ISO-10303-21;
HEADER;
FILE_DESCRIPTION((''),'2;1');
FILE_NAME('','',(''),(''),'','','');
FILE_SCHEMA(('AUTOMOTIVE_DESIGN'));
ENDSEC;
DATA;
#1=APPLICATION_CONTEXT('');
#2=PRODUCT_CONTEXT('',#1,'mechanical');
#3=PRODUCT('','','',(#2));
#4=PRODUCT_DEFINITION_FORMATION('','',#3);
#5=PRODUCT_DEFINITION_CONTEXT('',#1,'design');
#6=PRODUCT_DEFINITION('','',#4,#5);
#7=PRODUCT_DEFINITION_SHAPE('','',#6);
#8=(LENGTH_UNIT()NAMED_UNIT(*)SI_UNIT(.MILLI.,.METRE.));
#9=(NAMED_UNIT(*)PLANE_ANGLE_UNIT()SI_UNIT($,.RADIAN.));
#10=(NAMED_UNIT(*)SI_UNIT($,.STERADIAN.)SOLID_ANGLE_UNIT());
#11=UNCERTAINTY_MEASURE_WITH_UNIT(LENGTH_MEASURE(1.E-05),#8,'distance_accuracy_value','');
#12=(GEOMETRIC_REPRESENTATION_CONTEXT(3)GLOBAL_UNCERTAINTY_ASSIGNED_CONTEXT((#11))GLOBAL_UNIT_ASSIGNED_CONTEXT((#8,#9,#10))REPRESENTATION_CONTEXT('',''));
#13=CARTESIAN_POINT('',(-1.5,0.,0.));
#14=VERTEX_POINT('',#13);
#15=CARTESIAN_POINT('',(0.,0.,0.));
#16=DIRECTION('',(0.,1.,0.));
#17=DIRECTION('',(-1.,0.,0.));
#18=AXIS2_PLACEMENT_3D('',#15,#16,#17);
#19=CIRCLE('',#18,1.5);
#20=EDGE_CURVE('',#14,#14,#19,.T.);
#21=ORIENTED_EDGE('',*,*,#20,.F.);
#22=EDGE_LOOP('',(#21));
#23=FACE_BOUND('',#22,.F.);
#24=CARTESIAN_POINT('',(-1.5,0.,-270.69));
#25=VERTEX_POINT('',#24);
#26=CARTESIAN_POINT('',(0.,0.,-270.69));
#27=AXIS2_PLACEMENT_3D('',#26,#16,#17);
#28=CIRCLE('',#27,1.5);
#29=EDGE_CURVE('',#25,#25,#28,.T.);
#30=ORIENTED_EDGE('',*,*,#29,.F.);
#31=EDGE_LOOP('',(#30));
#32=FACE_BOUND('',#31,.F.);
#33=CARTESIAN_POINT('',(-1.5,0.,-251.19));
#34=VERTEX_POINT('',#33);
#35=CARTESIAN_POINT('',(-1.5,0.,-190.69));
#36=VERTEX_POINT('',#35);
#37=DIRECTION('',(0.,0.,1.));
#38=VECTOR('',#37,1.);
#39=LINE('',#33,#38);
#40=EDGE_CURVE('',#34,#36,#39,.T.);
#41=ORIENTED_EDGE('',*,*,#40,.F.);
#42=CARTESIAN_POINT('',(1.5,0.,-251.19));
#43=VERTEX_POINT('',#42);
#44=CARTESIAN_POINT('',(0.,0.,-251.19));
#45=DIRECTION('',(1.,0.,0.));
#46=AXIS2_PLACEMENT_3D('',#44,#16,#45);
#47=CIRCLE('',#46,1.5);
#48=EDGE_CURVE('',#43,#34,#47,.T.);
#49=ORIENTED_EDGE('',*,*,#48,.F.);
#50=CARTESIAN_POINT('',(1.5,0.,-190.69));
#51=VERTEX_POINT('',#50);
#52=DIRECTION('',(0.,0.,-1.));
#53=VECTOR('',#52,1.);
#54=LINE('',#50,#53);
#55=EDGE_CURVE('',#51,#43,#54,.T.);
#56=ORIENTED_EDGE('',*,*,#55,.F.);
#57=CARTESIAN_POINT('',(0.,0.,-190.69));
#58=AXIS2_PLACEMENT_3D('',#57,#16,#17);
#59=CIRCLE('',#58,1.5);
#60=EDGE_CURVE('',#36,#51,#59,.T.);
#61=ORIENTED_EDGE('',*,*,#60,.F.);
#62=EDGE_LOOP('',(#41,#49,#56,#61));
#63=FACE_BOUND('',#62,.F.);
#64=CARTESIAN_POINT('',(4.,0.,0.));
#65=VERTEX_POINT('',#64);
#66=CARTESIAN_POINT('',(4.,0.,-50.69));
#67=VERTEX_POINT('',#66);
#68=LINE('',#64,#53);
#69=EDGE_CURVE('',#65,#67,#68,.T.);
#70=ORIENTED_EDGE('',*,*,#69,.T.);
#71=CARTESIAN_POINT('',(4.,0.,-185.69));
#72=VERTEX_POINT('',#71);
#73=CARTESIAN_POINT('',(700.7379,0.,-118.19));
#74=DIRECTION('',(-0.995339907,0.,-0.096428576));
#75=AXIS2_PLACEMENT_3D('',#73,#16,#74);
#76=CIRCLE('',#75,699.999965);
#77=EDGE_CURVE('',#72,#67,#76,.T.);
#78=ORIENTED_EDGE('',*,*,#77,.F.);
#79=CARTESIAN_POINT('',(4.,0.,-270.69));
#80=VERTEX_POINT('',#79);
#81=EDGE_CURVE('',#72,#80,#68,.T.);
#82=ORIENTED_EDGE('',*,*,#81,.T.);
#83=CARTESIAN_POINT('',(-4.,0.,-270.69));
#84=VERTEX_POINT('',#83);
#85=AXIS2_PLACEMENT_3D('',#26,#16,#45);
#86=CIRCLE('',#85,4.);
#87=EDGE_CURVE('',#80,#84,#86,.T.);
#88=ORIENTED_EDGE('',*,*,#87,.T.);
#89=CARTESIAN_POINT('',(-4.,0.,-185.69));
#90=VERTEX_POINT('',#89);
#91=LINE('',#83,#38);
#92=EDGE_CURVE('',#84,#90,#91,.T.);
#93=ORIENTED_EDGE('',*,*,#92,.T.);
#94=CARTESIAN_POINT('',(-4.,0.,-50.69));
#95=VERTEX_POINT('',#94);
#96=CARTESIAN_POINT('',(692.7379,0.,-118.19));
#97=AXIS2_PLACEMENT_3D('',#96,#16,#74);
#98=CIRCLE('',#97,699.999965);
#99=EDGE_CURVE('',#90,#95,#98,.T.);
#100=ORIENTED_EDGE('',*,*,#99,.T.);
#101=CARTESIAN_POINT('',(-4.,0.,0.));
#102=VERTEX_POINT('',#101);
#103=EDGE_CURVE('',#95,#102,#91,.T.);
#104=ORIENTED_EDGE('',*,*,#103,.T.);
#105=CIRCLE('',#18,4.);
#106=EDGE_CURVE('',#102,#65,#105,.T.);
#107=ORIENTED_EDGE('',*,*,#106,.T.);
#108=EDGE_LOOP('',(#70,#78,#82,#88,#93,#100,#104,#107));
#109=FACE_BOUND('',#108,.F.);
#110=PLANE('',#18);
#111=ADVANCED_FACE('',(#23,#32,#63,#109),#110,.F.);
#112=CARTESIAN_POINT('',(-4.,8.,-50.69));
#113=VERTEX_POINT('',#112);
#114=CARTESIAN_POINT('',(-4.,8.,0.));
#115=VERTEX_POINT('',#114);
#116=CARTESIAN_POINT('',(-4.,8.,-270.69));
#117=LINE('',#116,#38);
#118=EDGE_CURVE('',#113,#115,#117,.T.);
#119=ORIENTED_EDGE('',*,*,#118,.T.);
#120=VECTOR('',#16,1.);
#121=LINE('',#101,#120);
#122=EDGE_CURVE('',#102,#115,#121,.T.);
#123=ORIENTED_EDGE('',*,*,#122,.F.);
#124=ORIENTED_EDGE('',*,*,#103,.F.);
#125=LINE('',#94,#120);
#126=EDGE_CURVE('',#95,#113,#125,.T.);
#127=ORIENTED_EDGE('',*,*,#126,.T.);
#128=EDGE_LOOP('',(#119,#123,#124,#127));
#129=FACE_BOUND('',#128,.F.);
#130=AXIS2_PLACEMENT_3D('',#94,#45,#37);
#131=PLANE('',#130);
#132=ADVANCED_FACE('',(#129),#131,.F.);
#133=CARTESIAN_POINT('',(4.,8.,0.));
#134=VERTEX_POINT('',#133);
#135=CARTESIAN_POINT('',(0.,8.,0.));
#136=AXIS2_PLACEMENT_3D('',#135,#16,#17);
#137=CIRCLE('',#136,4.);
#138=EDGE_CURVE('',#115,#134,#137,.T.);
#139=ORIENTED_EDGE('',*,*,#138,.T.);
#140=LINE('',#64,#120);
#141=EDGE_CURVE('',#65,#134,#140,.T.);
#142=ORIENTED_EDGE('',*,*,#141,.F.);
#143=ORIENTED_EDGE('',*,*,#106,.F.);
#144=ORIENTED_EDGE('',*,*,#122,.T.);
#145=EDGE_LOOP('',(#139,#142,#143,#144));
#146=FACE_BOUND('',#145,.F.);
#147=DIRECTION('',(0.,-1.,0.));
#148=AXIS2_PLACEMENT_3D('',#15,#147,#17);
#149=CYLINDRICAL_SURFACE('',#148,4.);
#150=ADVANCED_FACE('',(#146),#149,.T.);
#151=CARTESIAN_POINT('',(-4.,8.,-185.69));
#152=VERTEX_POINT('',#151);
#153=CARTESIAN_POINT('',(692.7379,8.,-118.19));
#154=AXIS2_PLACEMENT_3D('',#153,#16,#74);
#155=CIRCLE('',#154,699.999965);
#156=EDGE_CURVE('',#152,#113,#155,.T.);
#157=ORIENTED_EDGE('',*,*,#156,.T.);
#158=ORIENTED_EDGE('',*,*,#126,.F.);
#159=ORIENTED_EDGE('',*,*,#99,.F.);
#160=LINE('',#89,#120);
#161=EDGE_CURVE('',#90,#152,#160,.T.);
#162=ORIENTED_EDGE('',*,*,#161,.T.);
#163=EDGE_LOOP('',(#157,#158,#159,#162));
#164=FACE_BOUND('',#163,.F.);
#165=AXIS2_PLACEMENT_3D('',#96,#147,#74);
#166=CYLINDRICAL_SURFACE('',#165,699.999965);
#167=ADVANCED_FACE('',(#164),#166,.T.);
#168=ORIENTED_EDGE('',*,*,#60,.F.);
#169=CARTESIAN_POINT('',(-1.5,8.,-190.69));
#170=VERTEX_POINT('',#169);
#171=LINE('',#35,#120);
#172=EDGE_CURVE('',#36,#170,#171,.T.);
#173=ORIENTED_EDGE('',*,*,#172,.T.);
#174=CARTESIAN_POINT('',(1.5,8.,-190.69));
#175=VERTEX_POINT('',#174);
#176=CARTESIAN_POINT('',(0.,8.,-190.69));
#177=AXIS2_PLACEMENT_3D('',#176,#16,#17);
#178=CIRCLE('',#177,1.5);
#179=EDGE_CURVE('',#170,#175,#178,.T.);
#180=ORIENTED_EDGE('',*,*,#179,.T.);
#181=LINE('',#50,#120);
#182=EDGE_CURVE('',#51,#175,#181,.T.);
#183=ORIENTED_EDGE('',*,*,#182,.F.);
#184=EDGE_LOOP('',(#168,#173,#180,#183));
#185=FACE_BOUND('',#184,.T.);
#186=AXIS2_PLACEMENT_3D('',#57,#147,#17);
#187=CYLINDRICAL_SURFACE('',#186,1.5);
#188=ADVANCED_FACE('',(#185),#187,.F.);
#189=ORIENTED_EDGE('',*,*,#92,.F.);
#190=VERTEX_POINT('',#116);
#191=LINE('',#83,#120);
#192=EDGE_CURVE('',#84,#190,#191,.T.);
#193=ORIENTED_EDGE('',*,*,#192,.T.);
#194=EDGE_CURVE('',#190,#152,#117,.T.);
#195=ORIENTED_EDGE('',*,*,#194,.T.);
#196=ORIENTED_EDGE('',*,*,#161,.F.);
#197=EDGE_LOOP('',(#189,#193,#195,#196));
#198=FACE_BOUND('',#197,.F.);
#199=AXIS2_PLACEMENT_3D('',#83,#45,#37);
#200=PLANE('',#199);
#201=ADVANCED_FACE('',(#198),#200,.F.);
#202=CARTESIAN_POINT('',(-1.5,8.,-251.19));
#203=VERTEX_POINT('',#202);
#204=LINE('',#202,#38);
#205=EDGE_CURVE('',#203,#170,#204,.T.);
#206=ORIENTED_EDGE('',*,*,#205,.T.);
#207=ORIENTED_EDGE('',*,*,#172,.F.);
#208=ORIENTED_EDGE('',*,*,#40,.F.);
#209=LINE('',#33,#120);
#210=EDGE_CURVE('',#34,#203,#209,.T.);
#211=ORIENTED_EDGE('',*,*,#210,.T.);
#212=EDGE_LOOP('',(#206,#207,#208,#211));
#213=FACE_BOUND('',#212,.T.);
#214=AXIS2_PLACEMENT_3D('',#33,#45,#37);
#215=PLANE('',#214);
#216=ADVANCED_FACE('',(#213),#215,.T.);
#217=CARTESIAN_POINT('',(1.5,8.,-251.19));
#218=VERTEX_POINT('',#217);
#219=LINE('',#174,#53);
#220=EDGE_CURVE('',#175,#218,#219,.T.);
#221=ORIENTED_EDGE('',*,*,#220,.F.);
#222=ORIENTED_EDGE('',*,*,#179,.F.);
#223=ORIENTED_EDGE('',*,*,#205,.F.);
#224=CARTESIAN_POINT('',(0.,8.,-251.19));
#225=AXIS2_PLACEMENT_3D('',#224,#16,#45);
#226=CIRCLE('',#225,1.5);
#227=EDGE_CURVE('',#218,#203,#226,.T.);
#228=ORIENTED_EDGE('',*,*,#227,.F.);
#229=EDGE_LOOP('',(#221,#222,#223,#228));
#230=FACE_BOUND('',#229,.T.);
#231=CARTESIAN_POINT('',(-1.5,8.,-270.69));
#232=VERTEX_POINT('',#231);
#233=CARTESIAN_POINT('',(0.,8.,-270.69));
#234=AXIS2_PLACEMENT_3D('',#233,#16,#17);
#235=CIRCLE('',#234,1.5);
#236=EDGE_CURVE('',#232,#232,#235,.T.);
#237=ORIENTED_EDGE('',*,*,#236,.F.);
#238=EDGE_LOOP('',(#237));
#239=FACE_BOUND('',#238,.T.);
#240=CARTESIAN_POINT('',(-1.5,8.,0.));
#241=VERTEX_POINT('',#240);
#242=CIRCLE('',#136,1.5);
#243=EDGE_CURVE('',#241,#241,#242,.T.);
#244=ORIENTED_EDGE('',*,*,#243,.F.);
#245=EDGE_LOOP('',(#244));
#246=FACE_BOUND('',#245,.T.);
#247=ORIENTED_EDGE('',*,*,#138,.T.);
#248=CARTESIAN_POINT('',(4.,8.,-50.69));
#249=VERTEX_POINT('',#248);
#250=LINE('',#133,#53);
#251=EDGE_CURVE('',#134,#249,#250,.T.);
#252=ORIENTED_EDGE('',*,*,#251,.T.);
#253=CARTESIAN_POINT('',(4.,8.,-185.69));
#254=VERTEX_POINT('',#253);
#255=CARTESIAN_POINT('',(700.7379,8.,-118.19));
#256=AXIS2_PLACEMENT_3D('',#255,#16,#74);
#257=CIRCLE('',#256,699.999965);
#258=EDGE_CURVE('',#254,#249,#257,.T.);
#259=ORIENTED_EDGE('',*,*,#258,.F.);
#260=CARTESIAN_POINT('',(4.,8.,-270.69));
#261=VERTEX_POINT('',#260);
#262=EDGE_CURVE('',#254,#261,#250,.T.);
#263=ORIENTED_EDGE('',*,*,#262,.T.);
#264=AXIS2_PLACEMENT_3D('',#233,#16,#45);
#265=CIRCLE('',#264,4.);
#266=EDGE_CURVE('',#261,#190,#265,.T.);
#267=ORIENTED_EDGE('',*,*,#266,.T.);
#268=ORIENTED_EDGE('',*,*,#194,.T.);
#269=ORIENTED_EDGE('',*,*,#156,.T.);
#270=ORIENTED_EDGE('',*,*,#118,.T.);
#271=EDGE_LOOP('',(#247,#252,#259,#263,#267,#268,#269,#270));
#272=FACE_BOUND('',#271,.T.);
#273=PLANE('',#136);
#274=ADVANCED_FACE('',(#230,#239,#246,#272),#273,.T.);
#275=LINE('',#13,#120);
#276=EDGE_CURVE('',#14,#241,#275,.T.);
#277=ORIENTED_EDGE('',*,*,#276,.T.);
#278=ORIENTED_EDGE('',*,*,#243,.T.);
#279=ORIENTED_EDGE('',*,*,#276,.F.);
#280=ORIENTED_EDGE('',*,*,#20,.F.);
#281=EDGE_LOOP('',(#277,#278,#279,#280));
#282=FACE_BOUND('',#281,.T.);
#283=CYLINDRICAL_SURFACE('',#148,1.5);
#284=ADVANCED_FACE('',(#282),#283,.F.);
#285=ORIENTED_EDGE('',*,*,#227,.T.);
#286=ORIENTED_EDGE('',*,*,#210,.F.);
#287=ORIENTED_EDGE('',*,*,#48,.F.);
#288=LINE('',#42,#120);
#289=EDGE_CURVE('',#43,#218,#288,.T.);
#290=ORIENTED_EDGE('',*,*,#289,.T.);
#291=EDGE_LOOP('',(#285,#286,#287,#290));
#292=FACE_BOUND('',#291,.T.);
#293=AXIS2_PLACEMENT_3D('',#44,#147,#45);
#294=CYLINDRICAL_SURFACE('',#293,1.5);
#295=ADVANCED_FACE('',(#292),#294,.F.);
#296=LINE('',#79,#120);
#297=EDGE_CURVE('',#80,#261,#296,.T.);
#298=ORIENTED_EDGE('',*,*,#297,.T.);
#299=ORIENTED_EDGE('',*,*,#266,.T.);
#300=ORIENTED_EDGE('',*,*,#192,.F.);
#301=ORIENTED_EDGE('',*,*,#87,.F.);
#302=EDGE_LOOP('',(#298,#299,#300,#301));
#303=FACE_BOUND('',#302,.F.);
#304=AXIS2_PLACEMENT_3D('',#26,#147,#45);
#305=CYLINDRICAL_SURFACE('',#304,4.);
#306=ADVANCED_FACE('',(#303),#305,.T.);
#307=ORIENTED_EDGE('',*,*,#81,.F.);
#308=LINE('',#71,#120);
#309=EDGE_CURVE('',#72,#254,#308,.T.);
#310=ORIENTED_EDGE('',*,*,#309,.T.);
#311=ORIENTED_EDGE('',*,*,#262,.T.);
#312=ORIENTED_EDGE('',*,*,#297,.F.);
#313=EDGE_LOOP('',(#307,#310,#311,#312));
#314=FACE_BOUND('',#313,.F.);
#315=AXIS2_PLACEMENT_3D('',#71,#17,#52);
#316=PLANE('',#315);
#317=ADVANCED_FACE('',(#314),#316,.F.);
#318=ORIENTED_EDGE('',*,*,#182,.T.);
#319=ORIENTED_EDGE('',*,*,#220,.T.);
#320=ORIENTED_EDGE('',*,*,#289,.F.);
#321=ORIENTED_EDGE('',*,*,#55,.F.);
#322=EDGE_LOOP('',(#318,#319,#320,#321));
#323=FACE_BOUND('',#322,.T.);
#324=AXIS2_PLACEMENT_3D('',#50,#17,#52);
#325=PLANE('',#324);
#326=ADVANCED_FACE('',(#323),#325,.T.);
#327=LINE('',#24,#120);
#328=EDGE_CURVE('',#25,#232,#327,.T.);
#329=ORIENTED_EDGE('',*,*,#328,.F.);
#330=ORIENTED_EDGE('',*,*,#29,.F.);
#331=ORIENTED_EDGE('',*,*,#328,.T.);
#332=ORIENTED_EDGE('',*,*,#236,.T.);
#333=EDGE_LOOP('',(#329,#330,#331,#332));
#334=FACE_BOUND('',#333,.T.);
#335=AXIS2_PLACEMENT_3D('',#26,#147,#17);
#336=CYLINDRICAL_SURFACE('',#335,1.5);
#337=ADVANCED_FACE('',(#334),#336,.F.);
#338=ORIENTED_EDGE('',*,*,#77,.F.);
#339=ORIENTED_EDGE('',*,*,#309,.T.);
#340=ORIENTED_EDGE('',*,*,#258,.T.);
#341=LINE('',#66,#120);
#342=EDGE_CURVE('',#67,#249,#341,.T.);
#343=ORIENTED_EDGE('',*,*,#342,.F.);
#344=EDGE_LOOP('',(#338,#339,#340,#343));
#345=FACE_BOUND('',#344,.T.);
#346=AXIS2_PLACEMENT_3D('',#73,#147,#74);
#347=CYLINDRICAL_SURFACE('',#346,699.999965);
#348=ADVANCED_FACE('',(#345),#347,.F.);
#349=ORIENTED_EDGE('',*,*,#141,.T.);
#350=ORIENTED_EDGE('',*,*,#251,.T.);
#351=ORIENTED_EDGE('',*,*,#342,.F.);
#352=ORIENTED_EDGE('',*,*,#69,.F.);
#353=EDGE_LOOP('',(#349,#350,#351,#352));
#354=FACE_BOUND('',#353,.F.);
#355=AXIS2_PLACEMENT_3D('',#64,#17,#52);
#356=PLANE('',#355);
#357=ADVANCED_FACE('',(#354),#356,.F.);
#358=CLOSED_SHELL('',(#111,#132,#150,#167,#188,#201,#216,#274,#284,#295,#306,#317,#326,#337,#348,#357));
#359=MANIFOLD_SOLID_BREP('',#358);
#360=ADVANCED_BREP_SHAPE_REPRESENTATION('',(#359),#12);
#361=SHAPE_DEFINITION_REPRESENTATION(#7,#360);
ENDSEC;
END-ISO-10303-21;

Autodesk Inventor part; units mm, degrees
ref_plane "XZ Plane" through (0, 0, 0) normal (0, 1, 0) x (-1, 0, 0)
ref_plane "XY Plane" through (0, 0, 0) normal (0, 0, 1) x (1, 0, 0)
sketch "Sketch1" plane through (0, 0, 0) normal (0, 1, 0) x (-1, 0, 0)
  line L0 (0, 0) -> (0, -270.69) construction
  line L1 (-4, 0) -> (-4, -270.69)
  line L2 (4, -270.69) -> (4, 0)
  arc A0 (4, 0) -> (-4, 0) centre (0, 0) ccw
  arc A1 (-4, -270.69) -> (4, -270.69) centre (0, -270.69) ccw
  circle A2 centre (0, 0) radius 1.5
  circle A3 centre (0, -270.69) radius 1.5
  line L3 (0, -251.19) -> (0, -190.69) construction
  line L4 (1.5, -251.19) -> (1.5, -190.69)
  line L5 (-1.5, -190.69) -> (-1.5, -251.19)
  arc A4 (-1.5, -251.19) -> (1.5, -251.19) centre (0, -251.19) ccw
  arc A5 (1.5, -190.69) -> (-1.5, -190.69) centre (0, -190.69) ccw
  arc A6 (-4, -185.69) -> (-4, -50.69) centre (-700.7379, -118.19) ccw
  arc A7 (4, -185.69) -> (4, -50.69) centre (-692.7379, -118.19) ccw
  point P0 (0, -135.345)
  point P1 (0, -220.94)
  dimension "d0" = 270.69
  dimension "d1" = 8
  dimension "d2" = 3
  dimension "d3" = 3
  dimension "d10" = 3
  dimension "d11" = 19.5
  dimension "d12" = 80
  dimension "d13" = 85
  dimension "d14" = 220
  dimension "d15" = 700
  dimension "d16" = 700
extrude "Extrusion1" add sketch "Sketch1" along normal blind 8 contours A0 L2 A1 L1 A6 | A7 L2
sketch "Sketch2" plane through (0, 0, 0) normal (0, -1, 0) x (1, 0, 0)
  line L0 (4, 0) -> (4, -50.69) projected
  arc A0 (4, 0) -> (-4, 0) centre (0, 0) ccw projected
  line L1 (-4, -50.69) -> (-4, 0) projected
  arc A1 (-4, -50.69) -> (-4, -185.69) centre (692.7379, -118.19) ccw projected
  line L2 (-4, -270.69) -> (-4, -185.69) projected
  arc A2 (-4, -270.69) -> (4, -270.69) centre (0, -270.69) ccw projected
  line L3 (4, -185.69) -> (4, -270.69) projected
  arc A3 (4, -50.69) -> (4, -185.69) centre (700.7379, -118.19) ccw projected
  circle A4 centre (0, 0) radius 1.5 projected
  circle A5 centre (0, -270.69) radius 1.5 projected
  arc A6 (-1.5, -251.19) -> (1.5, -251.19) centre (0, -251.19) ccw projected
  line L4 (-1.5, -190.69) -> (-1.5, -251.19) projected
  arc A7 (1.5, -190.69) -> (-1.5, -190.69) centre (0, -190.69) ccw projected
  line L5 (1.5, -251.19) -> (1.5, -190.69) projected
